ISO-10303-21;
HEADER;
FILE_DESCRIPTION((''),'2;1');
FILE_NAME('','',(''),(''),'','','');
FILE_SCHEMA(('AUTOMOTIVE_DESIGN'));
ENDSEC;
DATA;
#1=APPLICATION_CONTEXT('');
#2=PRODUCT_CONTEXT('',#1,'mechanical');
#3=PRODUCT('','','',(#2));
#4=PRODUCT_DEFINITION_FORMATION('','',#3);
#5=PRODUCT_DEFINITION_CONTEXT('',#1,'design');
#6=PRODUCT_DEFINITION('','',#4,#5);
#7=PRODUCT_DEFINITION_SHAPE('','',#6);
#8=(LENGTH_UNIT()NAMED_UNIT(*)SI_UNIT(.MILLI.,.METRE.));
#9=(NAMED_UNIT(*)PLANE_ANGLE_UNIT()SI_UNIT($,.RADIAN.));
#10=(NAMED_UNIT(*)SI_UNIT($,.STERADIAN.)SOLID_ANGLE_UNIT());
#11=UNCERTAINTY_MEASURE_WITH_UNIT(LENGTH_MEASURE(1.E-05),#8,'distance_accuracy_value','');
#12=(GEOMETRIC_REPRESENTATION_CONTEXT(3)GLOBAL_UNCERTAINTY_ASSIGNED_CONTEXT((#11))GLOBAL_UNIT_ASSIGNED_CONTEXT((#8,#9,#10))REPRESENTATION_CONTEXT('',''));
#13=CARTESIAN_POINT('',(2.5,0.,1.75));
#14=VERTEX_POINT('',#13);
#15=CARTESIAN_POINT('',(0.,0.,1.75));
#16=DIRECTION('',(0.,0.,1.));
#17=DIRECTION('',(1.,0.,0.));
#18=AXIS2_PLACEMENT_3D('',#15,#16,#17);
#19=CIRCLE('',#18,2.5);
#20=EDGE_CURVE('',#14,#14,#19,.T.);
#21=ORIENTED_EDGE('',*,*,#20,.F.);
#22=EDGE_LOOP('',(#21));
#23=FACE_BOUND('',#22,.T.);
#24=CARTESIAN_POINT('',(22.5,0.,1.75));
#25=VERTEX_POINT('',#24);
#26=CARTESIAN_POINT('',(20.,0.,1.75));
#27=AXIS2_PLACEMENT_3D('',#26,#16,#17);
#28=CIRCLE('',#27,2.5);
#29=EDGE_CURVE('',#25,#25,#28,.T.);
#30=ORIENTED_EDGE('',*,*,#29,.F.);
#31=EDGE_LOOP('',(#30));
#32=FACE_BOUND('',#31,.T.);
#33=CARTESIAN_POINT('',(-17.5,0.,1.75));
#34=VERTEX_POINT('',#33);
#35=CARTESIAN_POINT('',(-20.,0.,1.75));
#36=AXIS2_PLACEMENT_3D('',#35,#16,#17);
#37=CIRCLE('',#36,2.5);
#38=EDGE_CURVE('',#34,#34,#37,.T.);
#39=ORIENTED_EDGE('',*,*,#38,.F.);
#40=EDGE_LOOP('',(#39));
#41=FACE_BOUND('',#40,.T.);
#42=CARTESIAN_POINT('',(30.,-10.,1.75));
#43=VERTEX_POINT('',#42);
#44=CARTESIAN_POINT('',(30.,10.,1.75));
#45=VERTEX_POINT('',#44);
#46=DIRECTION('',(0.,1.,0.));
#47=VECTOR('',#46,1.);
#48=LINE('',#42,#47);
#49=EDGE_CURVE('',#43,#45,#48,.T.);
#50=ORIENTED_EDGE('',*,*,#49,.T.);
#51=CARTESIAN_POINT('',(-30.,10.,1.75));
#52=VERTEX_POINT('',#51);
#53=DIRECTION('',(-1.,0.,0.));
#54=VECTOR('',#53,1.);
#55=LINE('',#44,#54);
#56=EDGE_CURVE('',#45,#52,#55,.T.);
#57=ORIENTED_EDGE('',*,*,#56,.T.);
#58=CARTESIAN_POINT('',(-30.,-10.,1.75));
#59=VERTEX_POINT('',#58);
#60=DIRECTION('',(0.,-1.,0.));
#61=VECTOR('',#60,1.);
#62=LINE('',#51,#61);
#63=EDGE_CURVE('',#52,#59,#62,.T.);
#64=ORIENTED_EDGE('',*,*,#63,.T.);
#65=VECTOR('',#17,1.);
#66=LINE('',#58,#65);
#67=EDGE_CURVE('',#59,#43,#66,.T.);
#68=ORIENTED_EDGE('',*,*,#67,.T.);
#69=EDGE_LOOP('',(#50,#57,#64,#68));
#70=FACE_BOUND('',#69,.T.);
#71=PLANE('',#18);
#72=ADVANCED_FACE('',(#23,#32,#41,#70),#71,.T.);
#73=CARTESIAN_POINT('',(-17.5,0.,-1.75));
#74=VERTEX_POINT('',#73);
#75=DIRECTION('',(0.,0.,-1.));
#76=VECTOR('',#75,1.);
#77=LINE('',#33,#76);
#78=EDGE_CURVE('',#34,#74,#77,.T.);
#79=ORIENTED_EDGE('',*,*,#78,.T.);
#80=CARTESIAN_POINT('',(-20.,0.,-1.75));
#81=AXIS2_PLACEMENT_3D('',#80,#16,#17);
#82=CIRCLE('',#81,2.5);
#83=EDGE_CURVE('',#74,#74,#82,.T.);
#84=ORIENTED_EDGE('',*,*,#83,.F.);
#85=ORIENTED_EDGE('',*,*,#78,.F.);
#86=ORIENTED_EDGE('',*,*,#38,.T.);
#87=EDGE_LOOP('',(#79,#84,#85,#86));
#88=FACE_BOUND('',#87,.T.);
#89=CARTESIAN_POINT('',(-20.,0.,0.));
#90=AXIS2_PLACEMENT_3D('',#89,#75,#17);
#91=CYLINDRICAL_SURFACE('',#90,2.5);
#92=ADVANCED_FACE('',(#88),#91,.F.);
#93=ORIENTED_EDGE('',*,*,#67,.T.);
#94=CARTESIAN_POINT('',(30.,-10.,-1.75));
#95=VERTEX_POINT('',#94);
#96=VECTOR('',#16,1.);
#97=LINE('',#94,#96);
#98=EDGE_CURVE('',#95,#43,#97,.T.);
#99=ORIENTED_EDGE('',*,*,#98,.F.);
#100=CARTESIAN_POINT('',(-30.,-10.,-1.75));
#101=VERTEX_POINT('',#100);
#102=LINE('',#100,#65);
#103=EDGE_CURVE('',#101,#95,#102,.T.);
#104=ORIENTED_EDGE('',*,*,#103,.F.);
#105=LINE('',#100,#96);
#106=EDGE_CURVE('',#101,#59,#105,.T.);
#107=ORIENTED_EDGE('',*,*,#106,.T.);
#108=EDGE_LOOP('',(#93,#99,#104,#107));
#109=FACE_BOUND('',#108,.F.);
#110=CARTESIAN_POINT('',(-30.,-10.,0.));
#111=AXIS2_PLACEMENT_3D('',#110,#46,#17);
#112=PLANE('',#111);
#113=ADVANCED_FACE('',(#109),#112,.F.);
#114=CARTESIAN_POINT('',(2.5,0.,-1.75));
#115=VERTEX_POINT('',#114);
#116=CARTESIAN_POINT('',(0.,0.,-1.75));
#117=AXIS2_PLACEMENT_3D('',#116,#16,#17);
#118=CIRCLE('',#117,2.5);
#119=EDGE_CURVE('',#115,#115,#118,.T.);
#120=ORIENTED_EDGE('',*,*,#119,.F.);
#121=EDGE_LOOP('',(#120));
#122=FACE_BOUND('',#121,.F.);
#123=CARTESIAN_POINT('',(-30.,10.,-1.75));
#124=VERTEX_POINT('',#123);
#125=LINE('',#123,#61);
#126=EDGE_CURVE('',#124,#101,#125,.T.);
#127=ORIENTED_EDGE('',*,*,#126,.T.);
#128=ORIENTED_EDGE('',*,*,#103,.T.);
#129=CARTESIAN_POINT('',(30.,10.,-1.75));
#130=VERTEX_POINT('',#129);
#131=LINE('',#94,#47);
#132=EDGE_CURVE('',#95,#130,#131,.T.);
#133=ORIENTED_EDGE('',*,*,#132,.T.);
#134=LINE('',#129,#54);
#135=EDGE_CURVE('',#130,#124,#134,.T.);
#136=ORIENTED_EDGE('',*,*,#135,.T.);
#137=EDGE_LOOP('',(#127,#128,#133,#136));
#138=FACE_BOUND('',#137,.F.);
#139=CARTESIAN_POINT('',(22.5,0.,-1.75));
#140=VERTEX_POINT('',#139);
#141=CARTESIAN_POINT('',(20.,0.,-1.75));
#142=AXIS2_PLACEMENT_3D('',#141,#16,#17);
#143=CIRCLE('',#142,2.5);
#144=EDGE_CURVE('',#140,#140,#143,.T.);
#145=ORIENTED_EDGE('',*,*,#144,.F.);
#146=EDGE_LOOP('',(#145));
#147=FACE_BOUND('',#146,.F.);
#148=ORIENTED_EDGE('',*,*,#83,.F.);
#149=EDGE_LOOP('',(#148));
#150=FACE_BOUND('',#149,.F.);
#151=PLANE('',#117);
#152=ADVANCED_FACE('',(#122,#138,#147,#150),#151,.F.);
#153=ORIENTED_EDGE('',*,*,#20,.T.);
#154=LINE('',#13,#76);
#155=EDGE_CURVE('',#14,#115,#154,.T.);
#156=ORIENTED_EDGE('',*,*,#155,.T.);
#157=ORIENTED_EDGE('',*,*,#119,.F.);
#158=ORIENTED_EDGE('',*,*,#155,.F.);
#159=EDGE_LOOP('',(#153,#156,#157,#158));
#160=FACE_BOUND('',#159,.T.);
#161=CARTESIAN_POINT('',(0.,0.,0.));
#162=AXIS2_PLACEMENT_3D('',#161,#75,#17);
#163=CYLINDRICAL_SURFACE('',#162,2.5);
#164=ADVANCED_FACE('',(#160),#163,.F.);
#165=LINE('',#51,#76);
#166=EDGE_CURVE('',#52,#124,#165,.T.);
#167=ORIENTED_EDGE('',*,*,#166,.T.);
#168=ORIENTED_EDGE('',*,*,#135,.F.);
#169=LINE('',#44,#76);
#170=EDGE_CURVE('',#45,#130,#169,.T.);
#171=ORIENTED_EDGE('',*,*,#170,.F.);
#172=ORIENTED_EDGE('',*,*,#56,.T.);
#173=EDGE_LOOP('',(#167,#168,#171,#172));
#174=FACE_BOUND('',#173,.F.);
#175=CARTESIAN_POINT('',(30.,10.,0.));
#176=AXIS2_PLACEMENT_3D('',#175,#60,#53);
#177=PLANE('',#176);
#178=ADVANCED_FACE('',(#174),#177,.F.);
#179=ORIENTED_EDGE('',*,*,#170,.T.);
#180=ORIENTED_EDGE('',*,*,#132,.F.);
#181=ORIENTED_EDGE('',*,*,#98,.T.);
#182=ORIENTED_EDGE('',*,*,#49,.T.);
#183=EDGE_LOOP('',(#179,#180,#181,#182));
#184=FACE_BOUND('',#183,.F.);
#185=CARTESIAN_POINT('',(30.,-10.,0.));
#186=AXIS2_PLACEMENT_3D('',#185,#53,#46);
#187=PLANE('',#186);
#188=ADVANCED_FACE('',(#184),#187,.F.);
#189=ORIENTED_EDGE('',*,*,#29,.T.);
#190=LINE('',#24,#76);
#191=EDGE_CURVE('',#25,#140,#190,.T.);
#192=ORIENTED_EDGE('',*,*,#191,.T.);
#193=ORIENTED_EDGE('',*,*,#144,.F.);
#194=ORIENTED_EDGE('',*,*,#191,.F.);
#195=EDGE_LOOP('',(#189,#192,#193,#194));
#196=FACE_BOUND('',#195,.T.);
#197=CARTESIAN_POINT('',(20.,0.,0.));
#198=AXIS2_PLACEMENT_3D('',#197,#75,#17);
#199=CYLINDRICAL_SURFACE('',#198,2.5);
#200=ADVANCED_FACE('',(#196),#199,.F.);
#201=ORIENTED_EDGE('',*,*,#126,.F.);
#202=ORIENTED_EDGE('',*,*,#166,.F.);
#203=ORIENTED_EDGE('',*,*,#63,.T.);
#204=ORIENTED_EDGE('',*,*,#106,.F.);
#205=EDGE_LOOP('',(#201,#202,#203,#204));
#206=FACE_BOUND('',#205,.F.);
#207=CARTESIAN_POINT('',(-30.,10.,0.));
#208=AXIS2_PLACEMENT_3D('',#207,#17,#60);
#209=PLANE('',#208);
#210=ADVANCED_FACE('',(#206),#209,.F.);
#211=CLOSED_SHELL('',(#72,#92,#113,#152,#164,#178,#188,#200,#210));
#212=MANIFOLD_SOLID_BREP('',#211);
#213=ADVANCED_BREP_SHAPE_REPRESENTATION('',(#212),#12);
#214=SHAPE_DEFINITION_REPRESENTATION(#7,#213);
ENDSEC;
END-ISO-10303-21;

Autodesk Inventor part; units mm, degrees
ref_plane "YZ Plane" through (0, 0, 0) normal (1, 0, 0) x (0, 1, 0)
ref_plane "XZ Plane" through (0, 0, 0) normal (0, 1, 0) x (-1, 0, 0)
ref_plane "XY Plane" through (0, 0, 0) normal (0, 0, 1) x (1, 0, 0)
sketch "Sketch1" plane through (0, 0, 0) normal (0, 0, 1) x (1, 0, 0)
  line L0 (-30, -10) -> (30, -10)
  line L1 (30, -10) -> (30, 10)
  line L2 (30, 10) -> (-30, 10)
  line L3 (-30, 10) -> (-30, -10)
  line L4 (-30, -10) -> (30, 10) construction
  line L5 (30, -10) -> (-30, 10) construction
  circle A0 centre (-20, 0) radius 2.5
  circle A1 centre (0, 0) radius 2.5
  circle A2 centre (20, 0) radius 2.5
  point P0 (0, 0)
  dimension "d0" = 60
  dimension "d1" = 20
  dimension "d2" = 5
  dimension "d3" = 5
  dimension "d4" = 20
  dimension "d5" = 10
  dimension "d6" = 5
  dimension "d7" = 20
  dimension "d8" = 10
extrude "Extrusion1" add sketch "Sketch1" along normal mid plane 3.5
properties part number "2020 3 Bracket"
